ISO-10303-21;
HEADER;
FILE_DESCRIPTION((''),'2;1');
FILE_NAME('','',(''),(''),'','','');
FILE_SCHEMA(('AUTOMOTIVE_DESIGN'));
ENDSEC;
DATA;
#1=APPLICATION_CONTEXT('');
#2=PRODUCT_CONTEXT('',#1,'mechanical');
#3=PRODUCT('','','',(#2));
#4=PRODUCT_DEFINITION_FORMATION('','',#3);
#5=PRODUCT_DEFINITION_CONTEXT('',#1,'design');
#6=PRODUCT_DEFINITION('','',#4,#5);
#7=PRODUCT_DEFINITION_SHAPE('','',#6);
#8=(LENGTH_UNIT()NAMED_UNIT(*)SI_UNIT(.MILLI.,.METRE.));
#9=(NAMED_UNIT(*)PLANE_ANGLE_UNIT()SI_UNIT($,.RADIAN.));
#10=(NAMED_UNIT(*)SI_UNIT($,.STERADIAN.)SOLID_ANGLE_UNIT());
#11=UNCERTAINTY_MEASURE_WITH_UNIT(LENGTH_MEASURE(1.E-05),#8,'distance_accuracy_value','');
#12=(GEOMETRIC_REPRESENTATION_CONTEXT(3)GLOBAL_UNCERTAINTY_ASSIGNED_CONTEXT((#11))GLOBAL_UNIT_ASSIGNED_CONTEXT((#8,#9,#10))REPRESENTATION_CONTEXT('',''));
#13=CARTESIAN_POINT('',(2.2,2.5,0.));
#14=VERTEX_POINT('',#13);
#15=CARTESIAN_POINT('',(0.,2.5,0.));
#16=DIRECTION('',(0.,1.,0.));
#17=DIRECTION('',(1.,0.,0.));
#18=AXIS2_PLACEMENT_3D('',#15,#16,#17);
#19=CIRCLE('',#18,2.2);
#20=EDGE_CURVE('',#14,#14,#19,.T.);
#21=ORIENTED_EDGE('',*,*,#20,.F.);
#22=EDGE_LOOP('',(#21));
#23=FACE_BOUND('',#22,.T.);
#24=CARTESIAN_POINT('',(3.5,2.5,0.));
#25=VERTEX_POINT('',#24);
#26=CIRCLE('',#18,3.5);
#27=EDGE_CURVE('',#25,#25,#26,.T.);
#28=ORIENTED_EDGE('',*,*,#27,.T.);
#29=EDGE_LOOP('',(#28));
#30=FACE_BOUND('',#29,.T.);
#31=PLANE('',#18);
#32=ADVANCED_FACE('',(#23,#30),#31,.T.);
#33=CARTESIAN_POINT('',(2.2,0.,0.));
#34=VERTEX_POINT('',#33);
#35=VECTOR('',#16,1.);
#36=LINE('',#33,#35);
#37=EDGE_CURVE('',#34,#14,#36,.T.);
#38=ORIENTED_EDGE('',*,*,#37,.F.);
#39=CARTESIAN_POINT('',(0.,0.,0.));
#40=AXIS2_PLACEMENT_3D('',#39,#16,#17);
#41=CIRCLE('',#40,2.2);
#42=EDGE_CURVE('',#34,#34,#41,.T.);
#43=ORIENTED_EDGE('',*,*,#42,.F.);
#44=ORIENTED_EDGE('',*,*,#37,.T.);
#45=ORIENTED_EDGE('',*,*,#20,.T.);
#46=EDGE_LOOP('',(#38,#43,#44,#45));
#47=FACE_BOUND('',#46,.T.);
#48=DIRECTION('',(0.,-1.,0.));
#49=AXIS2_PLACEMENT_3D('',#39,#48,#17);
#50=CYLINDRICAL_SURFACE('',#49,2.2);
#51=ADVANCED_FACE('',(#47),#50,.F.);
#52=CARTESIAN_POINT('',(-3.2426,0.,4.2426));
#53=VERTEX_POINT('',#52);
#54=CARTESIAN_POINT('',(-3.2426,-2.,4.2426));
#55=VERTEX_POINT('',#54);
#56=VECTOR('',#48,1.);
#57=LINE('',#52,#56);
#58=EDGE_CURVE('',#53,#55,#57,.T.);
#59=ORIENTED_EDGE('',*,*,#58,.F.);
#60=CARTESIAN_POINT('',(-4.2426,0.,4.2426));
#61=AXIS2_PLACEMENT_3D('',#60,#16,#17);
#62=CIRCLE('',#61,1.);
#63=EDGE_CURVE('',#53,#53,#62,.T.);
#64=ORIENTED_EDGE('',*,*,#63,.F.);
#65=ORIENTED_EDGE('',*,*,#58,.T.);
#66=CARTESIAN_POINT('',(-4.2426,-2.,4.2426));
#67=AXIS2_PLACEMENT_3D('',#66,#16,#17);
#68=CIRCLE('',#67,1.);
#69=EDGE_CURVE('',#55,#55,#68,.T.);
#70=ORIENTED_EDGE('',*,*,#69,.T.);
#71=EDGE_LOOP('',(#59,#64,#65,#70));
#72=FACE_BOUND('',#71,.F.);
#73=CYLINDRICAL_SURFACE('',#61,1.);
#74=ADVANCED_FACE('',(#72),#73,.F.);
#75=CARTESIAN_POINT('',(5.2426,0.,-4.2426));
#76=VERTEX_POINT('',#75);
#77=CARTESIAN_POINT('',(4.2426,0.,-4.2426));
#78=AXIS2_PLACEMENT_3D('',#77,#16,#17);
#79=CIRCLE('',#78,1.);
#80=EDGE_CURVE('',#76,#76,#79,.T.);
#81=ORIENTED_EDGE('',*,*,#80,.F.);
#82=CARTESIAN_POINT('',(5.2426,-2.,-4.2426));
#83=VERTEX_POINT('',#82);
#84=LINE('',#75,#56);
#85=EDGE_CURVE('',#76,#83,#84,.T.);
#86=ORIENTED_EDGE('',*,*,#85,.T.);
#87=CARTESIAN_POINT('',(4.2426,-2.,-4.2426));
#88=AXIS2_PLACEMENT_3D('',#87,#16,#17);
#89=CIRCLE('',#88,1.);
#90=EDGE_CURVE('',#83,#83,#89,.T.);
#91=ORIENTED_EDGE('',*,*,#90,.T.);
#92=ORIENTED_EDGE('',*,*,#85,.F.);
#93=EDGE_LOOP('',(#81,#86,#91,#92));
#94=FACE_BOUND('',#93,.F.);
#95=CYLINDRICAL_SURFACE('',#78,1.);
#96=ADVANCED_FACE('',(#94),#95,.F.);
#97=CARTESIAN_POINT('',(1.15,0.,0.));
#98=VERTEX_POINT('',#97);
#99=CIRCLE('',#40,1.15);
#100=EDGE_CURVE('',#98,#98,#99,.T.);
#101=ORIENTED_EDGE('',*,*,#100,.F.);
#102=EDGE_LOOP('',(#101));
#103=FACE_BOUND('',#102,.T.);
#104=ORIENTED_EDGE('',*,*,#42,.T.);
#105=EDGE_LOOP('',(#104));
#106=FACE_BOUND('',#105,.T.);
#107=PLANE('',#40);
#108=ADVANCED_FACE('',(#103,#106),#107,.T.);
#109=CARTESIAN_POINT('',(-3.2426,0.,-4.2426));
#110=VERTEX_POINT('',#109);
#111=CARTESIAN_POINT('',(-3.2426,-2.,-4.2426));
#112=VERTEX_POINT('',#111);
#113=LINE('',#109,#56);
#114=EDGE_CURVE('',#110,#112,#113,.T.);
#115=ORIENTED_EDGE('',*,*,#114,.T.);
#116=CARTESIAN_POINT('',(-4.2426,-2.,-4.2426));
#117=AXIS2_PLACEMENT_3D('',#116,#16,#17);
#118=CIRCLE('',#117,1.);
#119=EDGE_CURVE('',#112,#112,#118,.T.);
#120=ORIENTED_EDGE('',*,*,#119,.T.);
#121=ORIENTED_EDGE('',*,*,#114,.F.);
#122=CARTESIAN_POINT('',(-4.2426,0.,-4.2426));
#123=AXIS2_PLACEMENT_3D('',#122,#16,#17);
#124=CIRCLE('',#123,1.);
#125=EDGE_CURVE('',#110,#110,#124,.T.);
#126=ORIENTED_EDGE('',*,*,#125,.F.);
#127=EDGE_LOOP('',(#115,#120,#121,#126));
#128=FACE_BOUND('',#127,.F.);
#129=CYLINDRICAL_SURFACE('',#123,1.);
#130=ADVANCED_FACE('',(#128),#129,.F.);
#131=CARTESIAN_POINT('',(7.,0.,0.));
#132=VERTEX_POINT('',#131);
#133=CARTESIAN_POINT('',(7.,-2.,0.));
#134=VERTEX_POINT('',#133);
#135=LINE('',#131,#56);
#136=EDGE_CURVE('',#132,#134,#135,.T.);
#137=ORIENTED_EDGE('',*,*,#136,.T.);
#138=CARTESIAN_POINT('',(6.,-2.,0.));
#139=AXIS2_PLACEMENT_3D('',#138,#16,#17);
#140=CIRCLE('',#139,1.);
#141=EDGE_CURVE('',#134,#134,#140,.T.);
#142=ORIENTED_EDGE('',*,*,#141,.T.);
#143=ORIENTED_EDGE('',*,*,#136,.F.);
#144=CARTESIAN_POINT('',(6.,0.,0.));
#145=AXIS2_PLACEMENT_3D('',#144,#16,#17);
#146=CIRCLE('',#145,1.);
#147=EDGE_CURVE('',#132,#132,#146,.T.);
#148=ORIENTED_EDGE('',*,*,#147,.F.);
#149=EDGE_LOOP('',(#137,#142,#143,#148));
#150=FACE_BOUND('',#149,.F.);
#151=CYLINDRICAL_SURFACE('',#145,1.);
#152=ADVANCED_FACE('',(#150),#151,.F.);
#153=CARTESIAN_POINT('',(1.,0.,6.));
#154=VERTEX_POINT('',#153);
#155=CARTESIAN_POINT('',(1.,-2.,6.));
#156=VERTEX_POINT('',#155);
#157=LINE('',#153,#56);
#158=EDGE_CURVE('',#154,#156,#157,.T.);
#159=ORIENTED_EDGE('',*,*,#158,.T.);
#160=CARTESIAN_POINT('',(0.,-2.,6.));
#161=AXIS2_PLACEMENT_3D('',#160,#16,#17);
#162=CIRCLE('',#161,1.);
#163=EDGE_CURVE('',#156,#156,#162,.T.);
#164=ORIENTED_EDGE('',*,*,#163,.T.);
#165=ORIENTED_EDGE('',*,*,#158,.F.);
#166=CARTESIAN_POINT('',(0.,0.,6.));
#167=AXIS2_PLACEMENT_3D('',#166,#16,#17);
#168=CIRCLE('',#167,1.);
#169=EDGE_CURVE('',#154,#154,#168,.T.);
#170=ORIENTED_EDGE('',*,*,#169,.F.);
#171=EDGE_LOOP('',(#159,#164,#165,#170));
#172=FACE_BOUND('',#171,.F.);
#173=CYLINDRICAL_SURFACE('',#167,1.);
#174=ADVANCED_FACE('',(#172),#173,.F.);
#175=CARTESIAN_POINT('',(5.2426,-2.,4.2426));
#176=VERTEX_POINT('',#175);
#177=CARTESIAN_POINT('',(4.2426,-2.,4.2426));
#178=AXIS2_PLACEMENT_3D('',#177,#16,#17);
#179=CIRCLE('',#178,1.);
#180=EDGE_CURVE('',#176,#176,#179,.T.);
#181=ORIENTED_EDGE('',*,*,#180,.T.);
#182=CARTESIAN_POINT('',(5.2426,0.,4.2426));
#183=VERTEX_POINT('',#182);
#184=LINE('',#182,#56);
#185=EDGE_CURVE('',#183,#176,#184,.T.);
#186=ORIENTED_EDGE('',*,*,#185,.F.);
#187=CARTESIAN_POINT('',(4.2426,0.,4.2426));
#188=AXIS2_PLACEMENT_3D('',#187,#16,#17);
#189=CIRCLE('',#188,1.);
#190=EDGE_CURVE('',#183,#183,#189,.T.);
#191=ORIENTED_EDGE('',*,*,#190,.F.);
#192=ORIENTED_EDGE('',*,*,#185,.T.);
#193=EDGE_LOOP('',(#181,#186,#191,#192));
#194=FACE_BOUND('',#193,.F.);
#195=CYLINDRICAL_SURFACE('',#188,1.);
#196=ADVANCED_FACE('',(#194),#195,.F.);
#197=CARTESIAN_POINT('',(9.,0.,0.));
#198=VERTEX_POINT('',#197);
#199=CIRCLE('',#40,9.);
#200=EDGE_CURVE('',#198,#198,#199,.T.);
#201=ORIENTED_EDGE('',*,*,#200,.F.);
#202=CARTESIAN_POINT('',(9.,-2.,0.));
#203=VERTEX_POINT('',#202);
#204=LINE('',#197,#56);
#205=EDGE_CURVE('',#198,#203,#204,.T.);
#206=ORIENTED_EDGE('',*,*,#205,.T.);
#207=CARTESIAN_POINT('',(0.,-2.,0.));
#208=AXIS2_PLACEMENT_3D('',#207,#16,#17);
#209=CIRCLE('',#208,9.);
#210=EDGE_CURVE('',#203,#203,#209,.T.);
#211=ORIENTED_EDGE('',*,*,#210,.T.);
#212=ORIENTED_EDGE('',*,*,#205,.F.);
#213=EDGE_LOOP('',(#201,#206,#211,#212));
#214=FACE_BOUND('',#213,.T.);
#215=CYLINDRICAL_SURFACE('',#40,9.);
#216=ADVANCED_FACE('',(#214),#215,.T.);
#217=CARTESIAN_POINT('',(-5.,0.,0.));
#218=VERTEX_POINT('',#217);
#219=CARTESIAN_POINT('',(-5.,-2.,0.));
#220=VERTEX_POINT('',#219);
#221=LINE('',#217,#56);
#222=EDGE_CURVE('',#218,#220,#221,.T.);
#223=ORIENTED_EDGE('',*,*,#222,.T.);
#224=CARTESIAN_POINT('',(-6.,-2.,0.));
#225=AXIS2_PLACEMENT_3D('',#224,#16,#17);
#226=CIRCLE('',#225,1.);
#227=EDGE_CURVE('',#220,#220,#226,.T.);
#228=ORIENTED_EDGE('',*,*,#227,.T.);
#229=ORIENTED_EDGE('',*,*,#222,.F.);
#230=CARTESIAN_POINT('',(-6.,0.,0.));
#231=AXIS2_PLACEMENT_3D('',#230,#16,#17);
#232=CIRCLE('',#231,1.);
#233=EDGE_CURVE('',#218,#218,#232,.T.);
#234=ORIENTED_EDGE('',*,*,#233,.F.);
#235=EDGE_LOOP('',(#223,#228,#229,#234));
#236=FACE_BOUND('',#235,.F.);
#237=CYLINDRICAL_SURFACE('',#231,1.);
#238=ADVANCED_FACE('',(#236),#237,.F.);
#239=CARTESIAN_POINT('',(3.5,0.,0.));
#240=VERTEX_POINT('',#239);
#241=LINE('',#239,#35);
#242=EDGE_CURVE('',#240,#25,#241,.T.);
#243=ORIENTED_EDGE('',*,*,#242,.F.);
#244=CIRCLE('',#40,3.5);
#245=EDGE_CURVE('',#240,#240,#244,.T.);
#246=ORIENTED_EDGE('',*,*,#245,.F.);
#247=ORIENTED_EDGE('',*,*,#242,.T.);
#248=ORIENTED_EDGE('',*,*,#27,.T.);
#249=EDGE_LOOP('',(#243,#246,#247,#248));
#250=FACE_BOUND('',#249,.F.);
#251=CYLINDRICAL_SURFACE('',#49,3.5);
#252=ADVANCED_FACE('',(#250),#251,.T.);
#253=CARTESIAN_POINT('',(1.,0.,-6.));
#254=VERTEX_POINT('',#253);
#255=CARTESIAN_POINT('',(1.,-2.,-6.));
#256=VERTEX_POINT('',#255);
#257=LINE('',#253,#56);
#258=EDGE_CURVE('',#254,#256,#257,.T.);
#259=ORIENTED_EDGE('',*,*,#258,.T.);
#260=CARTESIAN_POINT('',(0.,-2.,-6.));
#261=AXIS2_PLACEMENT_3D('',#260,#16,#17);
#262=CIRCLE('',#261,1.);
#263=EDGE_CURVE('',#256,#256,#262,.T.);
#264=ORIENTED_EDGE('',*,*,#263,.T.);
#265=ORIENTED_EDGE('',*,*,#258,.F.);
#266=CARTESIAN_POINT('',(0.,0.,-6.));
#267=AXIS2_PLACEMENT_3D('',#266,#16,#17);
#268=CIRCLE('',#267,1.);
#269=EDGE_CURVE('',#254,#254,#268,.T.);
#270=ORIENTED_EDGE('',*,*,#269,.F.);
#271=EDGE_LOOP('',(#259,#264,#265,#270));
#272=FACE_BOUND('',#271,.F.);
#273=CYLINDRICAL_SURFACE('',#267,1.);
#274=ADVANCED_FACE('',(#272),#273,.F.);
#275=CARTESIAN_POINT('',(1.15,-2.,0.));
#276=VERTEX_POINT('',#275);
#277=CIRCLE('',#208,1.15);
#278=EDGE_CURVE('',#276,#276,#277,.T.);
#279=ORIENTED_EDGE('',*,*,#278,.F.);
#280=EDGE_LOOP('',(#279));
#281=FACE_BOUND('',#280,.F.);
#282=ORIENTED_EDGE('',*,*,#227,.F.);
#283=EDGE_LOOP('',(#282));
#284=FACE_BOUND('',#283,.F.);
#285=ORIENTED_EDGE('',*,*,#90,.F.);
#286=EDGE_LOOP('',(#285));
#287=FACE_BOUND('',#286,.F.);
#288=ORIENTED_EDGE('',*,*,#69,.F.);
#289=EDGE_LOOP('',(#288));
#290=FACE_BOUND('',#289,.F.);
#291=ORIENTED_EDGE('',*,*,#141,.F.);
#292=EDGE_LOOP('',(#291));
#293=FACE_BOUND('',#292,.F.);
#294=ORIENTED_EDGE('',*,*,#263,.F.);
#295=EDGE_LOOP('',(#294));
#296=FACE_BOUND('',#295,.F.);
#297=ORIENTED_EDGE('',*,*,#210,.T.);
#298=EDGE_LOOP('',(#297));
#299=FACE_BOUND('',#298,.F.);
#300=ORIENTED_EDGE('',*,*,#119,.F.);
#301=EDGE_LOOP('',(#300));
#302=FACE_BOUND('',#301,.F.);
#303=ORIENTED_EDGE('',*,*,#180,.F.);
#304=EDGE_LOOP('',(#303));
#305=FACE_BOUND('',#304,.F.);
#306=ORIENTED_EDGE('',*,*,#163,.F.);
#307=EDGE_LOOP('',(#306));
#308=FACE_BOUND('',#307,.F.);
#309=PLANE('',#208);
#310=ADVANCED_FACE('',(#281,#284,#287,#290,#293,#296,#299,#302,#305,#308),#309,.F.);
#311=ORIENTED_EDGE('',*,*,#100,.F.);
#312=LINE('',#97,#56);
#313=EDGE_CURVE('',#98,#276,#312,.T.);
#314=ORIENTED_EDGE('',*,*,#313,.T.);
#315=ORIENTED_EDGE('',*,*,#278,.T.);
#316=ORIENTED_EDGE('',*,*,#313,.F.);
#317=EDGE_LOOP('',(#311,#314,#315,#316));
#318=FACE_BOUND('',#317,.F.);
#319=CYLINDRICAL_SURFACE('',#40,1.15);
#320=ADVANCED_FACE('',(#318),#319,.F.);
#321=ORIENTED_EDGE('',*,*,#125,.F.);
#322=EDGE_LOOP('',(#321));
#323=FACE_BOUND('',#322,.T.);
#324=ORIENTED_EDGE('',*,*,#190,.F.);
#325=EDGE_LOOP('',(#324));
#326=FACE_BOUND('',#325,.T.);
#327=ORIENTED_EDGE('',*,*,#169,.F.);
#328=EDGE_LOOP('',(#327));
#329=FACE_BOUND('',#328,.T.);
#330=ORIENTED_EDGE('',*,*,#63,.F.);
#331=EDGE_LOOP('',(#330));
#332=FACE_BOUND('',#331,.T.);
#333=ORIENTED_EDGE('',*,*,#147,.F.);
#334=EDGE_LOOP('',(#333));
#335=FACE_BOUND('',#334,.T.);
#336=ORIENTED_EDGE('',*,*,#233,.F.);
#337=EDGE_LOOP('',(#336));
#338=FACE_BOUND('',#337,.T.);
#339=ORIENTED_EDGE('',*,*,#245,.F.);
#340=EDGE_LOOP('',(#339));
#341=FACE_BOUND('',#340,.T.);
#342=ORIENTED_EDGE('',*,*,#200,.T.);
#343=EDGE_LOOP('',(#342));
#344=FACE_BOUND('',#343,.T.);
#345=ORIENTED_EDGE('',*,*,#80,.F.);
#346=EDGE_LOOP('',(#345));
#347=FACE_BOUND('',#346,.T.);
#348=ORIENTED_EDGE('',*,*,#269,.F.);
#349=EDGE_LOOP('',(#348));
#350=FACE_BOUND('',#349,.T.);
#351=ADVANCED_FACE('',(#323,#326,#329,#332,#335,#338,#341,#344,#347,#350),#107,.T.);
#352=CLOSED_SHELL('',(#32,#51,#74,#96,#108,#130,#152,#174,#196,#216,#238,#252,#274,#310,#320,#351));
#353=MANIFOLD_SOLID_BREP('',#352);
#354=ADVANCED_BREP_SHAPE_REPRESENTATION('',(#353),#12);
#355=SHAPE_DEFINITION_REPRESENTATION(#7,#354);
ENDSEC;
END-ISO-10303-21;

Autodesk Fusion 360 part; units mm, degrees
sketch "스케치1" plane through (0, 0, 0) normal (0, 1, 0) x (1, 0, 0)
  circle A0 centre (0, 0) radius 9
  circle A1 centre (0, 0) radius 2.5
  circle A2 centre (0, 0) radius 6 construction
  circle A3 centre (6, 0) radius 1
  circle A4 centre (4.2426, 4.2426) radius 1
  circle A5 centre (0, 6) radius 1
  circle A6 centre (-4.2426, 4.2426) radius 1
  circle A7 centre (-6, 0) radius 1
  circle A8 centre (-4.2426, -4.2426) radius 1
  circle A9 centre (0, -6) radius 1
  circle A10 centre (4.2426, -4.2426) radius 1
  circle A11 centre (0, 0) radius 1.15
  circle A12 centre (0, 0) radius 2.2
  circle A13 centre (0, 0) radius 3.5
  dimension "d1" = 18
  dimension "d2" = 5
  dimension "d3" = 12
  dimension "d4" = 2
  dimension "d6" = 360
  dimension "d7" = 2.3
  dimension "d10" = 4.4
  dimension "d11" = 7
extrude "돌출1" add sketch "스케치1" against normal blind 2 contours A0 | A1 | A12 | A13
extrude "돌출2" add sketch "스케치1" along normal blind 2.5 contours A1 | A13
